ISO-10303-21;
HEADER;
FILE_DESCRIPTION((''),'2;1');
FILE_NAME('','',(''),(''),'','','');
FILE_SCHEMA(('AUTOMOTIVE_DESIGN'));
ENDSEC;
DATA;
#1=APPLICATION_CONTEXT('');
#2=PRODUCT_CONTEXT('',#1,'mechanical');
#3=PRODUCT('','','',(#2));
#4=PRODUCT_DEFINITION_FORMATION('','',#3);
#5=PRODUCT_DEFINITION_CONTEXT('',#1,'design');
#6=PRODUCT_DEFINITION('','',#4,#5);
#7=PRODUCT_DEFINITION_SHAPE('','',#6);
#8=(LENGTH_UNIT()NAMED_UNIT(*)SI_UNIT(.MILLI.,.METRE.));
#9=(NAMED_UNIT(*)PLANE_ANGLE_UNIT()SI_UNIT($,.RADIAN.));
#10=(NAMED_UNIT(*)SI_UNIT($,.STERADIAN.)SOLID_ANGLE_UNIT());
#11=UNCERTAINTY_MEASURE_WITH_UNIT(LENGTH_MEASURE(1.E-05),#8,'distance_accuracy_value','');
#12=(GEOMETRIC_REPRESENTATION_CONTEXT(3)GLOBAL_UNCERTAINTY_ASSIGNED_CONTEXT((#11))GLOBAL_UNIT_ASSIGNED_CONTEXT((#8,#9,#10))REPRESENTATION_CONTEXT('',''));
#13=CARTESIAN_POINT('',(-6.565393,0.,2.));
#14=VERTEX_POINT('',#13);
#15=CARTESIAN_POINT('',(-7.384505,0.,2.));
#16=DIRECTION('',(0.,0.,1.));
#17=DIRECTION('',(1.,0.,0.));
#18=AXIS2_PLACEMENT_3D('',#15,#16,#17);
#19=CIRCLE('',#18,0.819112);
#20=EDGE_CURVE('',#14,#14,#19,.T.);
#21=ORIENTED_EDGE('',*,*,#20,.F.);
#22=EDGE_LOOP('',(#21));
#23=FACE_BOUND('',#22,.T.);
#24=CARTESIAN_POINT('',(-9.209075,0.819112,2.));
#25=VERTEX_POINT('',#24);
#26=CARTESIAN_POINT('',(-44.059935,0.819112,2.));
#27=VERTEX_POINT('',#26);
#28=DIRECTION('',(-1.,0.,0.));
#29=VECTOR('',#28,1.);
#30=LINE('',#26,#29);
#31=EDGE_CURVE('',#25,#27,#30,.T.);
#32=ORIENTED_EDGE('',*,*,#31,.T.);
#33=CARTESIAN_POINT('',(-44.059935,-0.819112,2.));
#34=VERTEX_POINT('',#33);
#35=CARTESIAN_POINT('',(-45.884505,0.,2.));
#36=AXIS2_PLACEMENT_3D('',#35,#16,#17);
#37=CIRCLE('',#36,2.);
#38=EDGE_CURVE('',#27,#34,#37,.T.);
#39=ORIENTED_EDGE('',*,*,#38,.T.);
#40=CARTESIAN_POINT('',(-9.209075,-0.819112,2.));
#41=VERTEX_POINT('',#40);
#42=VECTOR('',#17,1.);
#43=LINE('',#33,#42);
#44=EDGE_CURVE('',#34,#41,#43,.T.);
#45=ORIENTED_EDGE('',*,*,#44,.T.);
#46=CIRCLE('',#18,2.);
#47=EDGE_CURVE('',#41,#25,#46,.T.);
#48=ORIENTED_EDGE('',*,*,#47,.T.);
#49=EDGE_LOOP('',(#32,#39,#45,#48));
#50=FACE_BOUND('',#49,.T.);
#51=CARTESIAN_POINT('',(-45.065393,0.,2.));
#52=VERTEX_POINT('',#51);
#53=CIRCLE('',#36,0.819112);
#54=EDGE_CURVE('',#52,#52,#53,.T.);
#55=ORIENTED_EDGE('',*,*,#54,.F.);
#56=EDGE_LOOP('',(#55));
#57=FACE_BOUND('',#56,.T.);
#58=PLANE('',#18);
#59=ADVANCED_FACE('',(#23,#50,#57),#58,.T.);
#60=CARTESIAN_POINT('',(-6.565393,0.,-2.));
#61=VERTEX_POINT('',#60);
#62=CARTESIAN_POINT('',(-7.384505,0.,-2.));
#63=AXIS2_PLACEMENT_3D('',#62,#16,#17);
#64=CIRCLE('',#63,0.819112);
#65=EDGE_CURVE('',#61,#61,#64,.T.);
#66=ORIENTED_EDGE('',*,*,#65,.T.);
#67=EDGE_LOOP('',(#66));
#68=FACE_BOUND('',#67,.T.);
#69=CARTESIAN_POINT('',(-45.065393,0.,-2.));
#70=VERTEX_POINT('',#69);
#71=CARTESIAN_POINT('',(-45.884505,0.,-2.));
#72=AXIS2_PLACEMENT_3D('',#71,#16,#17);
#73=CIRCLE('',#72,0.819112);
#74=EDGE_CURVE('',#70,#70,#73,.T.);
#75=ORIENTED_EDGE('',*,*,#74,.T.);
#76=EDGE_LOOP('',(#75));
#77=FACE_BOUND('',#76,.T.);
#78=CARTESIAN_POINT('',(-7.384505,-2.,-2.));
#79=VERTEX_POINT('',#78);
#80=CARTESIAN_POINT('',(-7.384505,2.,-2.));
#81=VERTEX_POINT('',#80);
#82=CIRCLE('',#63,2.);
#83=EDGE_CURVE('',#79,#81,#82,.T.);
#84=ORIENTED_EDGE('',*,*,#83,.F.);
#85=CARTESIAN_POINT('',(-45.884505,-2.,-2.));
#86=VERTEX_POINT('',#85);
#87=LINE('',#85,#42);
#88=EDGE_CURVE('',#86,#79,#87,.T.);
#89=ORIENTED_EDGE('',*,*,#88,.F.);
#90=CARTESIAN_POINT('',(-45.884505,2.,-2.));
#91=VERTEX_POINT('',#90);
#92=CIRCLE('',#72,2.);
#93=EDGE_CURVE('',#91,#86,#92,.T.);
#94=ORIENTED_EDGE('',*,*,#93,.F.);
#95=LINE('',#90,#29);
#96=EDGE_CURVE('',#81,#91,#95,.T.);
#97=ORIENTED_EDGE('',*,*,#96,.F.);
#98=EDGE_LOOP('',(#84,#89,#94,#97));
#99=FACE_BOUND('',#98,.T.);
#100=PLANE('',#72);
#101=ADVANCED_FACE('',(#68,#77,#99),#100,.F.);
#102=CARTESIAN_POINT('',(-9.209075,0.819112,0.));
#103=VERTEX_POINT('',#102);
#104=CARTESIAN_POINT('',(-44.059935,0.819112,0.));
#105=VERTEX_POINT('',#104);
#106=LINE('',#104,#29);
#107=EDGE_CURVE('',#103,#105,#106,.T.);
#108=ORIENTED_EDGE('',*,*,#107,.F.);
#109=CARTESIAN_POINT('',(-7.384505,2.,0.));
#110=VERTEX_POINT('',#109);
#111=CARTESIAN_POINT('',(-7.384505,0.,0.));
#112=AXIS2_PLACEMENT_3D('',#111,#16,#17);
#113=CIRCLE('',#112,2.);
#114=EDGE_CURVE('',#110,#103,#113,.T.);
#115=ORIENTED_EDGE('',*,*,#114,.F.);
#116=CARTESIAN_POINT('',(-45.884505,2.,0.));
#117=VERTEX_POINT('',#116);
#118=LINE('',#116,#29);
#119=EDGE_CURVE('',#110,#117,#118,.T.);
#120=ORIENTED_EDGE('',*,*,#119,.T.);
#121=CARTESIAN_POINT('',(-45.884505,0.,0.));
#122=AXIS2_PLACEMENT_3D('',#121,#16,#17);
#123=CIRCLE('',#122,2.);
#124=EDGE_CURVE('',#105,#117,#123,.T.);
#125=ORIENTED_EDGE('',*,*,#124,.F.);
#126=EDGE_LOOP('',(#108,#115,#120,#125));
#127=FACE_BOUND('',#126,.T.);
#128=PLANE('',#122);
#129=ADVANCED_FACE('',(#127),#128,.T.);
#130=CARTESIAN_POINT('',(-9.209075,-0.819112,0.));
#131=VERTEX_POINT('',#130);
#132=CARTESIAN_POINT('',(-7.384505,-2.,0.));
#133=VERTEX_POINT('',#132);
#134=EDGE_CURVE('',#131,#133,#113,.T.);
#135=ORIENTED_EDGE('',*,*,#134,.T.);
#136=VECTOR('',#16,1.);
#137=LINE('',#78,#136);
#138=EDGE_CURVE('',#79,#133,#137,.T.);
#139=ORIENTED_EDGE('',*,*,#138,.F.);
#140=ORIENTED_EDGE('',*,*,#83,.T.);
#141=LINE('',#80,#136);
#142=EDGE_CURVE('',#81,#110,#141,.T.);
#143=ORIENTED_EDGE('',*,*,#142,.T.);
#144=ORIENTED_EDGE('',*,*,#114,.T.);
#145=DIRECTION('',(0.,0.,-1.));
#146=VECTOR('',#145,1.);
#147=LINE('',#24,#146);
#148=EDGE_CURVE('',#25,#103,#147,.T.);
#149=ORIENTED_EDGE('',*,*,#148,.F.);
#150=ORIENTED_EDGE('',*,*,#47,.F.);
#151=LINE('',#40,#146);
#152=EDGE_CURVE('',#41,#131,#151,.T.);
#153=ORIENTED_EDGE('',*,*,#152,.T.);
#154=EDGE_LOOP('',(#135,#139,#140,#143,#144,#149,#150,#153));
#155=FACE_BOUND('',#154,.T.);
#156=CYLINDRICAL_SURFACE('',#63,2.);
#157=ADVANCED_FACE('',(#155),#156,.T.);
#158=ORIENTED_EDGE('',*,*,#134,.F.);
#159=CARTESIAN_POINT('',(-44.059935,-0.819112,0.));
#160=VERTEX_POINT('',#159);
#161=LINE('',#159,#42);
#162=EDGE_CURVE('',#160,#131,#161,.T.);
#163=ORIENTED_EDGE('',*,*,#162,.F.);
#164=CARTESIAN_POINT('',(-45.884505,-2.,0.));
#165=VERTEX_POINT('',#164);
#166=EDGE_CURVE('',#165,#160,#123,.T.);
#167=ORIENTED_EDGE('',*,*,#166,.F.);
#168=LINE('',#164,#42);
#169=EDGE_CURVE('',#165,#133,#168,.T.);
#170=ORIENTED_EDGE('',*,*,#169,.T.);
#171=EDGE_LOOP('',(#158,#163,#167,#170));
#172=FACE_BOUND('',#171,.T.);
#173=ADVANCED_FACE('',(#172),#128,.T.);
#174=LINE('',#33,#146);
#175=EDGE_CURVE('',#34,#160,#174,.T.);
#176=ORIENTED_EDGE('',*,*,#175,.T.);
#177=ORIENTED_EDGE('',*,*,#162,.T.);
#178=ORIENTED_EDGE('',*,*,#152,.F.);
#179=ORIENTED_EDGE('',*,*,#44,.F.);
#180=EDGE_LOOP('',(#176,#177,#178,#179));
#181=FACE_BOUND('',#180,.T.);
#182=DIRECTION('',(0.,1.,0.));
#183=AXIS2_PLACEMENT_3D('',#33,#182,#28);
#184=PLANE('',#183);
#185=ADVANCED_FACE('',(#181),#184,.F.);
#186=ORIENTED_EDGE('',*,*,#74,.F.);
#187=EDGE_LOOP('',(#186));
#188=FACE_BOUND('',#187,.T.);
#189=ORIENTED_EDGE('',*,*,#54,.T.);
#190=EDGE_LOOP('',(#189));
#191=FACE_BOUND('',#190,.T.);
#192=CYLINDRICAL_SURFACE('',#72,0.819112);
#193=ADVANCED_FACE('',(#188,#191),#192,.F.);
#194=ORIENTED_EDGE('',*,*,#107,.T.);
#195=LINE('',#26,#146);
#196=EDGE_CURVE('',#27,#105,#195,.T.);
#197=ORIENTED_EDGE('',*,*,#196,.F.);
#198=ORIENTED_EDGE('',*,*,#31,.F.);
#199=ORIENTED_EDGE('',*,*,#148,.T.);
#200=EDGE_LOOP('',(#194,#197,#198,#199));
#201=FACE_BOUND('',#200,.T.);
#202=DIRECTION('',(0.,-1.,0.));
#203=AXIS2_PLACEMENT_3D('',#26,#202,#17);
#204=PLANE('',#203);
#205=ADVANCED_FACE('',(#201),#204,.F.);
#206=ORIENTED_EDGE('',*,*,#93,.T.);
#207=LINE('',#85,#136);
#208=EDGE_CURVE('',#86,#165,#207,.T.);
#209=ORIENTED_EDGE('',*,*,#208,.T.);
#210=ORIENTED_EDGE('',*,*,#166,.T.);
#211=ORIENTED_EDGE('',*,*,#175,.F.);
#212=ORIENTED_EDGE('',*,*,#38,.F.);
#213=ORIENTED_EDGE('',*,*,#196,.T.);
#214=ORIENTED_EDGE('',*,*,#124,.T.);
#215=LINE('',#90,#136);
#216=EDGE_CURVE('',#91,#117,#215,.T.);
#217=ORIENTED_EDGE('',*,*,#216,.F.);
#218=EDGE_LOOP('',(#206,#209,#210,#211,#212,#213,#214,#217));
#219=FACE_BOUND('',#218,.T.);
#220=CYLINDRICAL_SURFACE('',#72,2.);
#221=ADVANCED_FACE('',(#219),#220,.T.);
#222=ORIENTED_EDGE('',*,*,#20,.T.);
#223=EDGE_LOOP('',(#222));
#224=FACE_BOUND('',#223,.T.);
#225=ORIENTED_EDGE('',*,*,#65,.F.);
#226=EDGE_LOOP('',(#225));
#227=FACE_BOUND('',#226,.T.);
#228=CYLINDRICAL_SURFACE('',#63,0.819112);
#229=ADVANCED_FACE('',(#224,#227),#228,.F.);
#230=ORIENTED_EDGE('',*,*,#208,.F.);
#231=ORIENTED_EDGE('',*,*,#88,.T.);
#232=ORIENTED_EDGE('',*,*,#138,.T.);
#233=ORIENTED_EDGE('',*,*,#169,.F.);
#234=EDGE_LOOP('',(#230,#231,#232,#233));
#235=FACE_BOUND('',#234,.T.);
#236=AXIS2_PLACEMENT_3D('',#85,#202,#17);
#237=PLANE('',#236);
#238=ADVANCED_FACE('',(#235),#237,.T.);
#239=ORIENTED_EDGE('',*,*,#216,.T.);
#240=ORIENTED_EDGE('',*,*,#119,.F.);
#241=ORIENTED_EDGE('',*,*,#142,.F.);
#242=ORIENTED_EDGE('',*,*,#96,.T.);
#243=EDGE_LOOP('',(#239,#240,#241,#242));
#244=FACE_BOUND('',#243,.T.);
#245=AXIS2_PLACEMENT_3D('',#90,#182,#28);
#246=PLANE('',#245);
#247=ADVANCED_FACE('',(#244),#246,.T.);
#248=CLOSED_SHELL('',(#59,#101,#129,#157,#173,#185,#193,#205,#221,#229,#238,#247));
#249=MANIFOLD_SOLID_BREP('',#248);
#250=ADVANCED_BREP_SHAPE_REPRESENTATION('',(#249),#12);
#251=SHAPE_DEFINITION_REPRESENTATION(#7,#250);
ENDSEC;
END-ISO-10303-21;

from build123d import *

# Parameters (mm, degrees)
SKETCH_1_R      = 0.819112032
EXTRUDE_1_DEPTH = 2
EXTRUDE_START   = 2
SKETCH_2_R      = 0.819112032
EXTRUDE_2_DEPTH = 2


with BuildPart() as part:
    # 草图1 → 凸台-拉伸1 (new body)
    with BuildSketch(Plane.XY):
        with BuildLine():
            Line((-45.884505443, 2), (-7.384505443, 2))
            ThreePointArc((-7.384505443, 2), (-5.384505443, 0), (-7.384505443, -2))
            Line((-7.384505443, -2), (-45.884505443, -2))
            ThreePointArc((-45.884505443, -2), (-47.884505443, 0), (-45.884505443, 2))
        make_face()
        with Locations((-45.884505443, 0)):
            Circle(SKETCH_1_R, mode=Mode.SUBTRACT)
        with Locations((-7.384505443, 0)):
            Circle(SKETCH_1_R, mode=Mode.SUBTRACT)
    extrude(amount=-EXTRUDE_1_DEPTH)

    # 草图2 → 凸台-拉伸2 (add)
    with BuildSketch(Plane.XY.offset(EXTRUDE_START)):
        with BuildLine():
            Line((-44.059935499, 0.819112032), (-9.209075386, 0.819112032))
            ThreePointArc((-9.209075386, 0.819112032), (-5.384505443, 0), (-9.209075386, -0.819112032))
            Line((-9.209075386, -0.819112032), (-44.059935499, -0.819112032))
            ThreePointArc((-44.059935499, -0.819112032), (-47.884505443, 0), (-44.059935499, 0.819112032))
        make_face()
        with Locations((-45.884505443, 0)):
            Circle(SKETCH_2_R, mode=Mode.SUBTRACT)
        with Locations((-7.384505443, 0)):
            Circle(SKETCH_2_R, mode=Mode.SUBTRACT)
    extrude(amount=-EXTRUDE_2_DEPTH)


solid = part.part
